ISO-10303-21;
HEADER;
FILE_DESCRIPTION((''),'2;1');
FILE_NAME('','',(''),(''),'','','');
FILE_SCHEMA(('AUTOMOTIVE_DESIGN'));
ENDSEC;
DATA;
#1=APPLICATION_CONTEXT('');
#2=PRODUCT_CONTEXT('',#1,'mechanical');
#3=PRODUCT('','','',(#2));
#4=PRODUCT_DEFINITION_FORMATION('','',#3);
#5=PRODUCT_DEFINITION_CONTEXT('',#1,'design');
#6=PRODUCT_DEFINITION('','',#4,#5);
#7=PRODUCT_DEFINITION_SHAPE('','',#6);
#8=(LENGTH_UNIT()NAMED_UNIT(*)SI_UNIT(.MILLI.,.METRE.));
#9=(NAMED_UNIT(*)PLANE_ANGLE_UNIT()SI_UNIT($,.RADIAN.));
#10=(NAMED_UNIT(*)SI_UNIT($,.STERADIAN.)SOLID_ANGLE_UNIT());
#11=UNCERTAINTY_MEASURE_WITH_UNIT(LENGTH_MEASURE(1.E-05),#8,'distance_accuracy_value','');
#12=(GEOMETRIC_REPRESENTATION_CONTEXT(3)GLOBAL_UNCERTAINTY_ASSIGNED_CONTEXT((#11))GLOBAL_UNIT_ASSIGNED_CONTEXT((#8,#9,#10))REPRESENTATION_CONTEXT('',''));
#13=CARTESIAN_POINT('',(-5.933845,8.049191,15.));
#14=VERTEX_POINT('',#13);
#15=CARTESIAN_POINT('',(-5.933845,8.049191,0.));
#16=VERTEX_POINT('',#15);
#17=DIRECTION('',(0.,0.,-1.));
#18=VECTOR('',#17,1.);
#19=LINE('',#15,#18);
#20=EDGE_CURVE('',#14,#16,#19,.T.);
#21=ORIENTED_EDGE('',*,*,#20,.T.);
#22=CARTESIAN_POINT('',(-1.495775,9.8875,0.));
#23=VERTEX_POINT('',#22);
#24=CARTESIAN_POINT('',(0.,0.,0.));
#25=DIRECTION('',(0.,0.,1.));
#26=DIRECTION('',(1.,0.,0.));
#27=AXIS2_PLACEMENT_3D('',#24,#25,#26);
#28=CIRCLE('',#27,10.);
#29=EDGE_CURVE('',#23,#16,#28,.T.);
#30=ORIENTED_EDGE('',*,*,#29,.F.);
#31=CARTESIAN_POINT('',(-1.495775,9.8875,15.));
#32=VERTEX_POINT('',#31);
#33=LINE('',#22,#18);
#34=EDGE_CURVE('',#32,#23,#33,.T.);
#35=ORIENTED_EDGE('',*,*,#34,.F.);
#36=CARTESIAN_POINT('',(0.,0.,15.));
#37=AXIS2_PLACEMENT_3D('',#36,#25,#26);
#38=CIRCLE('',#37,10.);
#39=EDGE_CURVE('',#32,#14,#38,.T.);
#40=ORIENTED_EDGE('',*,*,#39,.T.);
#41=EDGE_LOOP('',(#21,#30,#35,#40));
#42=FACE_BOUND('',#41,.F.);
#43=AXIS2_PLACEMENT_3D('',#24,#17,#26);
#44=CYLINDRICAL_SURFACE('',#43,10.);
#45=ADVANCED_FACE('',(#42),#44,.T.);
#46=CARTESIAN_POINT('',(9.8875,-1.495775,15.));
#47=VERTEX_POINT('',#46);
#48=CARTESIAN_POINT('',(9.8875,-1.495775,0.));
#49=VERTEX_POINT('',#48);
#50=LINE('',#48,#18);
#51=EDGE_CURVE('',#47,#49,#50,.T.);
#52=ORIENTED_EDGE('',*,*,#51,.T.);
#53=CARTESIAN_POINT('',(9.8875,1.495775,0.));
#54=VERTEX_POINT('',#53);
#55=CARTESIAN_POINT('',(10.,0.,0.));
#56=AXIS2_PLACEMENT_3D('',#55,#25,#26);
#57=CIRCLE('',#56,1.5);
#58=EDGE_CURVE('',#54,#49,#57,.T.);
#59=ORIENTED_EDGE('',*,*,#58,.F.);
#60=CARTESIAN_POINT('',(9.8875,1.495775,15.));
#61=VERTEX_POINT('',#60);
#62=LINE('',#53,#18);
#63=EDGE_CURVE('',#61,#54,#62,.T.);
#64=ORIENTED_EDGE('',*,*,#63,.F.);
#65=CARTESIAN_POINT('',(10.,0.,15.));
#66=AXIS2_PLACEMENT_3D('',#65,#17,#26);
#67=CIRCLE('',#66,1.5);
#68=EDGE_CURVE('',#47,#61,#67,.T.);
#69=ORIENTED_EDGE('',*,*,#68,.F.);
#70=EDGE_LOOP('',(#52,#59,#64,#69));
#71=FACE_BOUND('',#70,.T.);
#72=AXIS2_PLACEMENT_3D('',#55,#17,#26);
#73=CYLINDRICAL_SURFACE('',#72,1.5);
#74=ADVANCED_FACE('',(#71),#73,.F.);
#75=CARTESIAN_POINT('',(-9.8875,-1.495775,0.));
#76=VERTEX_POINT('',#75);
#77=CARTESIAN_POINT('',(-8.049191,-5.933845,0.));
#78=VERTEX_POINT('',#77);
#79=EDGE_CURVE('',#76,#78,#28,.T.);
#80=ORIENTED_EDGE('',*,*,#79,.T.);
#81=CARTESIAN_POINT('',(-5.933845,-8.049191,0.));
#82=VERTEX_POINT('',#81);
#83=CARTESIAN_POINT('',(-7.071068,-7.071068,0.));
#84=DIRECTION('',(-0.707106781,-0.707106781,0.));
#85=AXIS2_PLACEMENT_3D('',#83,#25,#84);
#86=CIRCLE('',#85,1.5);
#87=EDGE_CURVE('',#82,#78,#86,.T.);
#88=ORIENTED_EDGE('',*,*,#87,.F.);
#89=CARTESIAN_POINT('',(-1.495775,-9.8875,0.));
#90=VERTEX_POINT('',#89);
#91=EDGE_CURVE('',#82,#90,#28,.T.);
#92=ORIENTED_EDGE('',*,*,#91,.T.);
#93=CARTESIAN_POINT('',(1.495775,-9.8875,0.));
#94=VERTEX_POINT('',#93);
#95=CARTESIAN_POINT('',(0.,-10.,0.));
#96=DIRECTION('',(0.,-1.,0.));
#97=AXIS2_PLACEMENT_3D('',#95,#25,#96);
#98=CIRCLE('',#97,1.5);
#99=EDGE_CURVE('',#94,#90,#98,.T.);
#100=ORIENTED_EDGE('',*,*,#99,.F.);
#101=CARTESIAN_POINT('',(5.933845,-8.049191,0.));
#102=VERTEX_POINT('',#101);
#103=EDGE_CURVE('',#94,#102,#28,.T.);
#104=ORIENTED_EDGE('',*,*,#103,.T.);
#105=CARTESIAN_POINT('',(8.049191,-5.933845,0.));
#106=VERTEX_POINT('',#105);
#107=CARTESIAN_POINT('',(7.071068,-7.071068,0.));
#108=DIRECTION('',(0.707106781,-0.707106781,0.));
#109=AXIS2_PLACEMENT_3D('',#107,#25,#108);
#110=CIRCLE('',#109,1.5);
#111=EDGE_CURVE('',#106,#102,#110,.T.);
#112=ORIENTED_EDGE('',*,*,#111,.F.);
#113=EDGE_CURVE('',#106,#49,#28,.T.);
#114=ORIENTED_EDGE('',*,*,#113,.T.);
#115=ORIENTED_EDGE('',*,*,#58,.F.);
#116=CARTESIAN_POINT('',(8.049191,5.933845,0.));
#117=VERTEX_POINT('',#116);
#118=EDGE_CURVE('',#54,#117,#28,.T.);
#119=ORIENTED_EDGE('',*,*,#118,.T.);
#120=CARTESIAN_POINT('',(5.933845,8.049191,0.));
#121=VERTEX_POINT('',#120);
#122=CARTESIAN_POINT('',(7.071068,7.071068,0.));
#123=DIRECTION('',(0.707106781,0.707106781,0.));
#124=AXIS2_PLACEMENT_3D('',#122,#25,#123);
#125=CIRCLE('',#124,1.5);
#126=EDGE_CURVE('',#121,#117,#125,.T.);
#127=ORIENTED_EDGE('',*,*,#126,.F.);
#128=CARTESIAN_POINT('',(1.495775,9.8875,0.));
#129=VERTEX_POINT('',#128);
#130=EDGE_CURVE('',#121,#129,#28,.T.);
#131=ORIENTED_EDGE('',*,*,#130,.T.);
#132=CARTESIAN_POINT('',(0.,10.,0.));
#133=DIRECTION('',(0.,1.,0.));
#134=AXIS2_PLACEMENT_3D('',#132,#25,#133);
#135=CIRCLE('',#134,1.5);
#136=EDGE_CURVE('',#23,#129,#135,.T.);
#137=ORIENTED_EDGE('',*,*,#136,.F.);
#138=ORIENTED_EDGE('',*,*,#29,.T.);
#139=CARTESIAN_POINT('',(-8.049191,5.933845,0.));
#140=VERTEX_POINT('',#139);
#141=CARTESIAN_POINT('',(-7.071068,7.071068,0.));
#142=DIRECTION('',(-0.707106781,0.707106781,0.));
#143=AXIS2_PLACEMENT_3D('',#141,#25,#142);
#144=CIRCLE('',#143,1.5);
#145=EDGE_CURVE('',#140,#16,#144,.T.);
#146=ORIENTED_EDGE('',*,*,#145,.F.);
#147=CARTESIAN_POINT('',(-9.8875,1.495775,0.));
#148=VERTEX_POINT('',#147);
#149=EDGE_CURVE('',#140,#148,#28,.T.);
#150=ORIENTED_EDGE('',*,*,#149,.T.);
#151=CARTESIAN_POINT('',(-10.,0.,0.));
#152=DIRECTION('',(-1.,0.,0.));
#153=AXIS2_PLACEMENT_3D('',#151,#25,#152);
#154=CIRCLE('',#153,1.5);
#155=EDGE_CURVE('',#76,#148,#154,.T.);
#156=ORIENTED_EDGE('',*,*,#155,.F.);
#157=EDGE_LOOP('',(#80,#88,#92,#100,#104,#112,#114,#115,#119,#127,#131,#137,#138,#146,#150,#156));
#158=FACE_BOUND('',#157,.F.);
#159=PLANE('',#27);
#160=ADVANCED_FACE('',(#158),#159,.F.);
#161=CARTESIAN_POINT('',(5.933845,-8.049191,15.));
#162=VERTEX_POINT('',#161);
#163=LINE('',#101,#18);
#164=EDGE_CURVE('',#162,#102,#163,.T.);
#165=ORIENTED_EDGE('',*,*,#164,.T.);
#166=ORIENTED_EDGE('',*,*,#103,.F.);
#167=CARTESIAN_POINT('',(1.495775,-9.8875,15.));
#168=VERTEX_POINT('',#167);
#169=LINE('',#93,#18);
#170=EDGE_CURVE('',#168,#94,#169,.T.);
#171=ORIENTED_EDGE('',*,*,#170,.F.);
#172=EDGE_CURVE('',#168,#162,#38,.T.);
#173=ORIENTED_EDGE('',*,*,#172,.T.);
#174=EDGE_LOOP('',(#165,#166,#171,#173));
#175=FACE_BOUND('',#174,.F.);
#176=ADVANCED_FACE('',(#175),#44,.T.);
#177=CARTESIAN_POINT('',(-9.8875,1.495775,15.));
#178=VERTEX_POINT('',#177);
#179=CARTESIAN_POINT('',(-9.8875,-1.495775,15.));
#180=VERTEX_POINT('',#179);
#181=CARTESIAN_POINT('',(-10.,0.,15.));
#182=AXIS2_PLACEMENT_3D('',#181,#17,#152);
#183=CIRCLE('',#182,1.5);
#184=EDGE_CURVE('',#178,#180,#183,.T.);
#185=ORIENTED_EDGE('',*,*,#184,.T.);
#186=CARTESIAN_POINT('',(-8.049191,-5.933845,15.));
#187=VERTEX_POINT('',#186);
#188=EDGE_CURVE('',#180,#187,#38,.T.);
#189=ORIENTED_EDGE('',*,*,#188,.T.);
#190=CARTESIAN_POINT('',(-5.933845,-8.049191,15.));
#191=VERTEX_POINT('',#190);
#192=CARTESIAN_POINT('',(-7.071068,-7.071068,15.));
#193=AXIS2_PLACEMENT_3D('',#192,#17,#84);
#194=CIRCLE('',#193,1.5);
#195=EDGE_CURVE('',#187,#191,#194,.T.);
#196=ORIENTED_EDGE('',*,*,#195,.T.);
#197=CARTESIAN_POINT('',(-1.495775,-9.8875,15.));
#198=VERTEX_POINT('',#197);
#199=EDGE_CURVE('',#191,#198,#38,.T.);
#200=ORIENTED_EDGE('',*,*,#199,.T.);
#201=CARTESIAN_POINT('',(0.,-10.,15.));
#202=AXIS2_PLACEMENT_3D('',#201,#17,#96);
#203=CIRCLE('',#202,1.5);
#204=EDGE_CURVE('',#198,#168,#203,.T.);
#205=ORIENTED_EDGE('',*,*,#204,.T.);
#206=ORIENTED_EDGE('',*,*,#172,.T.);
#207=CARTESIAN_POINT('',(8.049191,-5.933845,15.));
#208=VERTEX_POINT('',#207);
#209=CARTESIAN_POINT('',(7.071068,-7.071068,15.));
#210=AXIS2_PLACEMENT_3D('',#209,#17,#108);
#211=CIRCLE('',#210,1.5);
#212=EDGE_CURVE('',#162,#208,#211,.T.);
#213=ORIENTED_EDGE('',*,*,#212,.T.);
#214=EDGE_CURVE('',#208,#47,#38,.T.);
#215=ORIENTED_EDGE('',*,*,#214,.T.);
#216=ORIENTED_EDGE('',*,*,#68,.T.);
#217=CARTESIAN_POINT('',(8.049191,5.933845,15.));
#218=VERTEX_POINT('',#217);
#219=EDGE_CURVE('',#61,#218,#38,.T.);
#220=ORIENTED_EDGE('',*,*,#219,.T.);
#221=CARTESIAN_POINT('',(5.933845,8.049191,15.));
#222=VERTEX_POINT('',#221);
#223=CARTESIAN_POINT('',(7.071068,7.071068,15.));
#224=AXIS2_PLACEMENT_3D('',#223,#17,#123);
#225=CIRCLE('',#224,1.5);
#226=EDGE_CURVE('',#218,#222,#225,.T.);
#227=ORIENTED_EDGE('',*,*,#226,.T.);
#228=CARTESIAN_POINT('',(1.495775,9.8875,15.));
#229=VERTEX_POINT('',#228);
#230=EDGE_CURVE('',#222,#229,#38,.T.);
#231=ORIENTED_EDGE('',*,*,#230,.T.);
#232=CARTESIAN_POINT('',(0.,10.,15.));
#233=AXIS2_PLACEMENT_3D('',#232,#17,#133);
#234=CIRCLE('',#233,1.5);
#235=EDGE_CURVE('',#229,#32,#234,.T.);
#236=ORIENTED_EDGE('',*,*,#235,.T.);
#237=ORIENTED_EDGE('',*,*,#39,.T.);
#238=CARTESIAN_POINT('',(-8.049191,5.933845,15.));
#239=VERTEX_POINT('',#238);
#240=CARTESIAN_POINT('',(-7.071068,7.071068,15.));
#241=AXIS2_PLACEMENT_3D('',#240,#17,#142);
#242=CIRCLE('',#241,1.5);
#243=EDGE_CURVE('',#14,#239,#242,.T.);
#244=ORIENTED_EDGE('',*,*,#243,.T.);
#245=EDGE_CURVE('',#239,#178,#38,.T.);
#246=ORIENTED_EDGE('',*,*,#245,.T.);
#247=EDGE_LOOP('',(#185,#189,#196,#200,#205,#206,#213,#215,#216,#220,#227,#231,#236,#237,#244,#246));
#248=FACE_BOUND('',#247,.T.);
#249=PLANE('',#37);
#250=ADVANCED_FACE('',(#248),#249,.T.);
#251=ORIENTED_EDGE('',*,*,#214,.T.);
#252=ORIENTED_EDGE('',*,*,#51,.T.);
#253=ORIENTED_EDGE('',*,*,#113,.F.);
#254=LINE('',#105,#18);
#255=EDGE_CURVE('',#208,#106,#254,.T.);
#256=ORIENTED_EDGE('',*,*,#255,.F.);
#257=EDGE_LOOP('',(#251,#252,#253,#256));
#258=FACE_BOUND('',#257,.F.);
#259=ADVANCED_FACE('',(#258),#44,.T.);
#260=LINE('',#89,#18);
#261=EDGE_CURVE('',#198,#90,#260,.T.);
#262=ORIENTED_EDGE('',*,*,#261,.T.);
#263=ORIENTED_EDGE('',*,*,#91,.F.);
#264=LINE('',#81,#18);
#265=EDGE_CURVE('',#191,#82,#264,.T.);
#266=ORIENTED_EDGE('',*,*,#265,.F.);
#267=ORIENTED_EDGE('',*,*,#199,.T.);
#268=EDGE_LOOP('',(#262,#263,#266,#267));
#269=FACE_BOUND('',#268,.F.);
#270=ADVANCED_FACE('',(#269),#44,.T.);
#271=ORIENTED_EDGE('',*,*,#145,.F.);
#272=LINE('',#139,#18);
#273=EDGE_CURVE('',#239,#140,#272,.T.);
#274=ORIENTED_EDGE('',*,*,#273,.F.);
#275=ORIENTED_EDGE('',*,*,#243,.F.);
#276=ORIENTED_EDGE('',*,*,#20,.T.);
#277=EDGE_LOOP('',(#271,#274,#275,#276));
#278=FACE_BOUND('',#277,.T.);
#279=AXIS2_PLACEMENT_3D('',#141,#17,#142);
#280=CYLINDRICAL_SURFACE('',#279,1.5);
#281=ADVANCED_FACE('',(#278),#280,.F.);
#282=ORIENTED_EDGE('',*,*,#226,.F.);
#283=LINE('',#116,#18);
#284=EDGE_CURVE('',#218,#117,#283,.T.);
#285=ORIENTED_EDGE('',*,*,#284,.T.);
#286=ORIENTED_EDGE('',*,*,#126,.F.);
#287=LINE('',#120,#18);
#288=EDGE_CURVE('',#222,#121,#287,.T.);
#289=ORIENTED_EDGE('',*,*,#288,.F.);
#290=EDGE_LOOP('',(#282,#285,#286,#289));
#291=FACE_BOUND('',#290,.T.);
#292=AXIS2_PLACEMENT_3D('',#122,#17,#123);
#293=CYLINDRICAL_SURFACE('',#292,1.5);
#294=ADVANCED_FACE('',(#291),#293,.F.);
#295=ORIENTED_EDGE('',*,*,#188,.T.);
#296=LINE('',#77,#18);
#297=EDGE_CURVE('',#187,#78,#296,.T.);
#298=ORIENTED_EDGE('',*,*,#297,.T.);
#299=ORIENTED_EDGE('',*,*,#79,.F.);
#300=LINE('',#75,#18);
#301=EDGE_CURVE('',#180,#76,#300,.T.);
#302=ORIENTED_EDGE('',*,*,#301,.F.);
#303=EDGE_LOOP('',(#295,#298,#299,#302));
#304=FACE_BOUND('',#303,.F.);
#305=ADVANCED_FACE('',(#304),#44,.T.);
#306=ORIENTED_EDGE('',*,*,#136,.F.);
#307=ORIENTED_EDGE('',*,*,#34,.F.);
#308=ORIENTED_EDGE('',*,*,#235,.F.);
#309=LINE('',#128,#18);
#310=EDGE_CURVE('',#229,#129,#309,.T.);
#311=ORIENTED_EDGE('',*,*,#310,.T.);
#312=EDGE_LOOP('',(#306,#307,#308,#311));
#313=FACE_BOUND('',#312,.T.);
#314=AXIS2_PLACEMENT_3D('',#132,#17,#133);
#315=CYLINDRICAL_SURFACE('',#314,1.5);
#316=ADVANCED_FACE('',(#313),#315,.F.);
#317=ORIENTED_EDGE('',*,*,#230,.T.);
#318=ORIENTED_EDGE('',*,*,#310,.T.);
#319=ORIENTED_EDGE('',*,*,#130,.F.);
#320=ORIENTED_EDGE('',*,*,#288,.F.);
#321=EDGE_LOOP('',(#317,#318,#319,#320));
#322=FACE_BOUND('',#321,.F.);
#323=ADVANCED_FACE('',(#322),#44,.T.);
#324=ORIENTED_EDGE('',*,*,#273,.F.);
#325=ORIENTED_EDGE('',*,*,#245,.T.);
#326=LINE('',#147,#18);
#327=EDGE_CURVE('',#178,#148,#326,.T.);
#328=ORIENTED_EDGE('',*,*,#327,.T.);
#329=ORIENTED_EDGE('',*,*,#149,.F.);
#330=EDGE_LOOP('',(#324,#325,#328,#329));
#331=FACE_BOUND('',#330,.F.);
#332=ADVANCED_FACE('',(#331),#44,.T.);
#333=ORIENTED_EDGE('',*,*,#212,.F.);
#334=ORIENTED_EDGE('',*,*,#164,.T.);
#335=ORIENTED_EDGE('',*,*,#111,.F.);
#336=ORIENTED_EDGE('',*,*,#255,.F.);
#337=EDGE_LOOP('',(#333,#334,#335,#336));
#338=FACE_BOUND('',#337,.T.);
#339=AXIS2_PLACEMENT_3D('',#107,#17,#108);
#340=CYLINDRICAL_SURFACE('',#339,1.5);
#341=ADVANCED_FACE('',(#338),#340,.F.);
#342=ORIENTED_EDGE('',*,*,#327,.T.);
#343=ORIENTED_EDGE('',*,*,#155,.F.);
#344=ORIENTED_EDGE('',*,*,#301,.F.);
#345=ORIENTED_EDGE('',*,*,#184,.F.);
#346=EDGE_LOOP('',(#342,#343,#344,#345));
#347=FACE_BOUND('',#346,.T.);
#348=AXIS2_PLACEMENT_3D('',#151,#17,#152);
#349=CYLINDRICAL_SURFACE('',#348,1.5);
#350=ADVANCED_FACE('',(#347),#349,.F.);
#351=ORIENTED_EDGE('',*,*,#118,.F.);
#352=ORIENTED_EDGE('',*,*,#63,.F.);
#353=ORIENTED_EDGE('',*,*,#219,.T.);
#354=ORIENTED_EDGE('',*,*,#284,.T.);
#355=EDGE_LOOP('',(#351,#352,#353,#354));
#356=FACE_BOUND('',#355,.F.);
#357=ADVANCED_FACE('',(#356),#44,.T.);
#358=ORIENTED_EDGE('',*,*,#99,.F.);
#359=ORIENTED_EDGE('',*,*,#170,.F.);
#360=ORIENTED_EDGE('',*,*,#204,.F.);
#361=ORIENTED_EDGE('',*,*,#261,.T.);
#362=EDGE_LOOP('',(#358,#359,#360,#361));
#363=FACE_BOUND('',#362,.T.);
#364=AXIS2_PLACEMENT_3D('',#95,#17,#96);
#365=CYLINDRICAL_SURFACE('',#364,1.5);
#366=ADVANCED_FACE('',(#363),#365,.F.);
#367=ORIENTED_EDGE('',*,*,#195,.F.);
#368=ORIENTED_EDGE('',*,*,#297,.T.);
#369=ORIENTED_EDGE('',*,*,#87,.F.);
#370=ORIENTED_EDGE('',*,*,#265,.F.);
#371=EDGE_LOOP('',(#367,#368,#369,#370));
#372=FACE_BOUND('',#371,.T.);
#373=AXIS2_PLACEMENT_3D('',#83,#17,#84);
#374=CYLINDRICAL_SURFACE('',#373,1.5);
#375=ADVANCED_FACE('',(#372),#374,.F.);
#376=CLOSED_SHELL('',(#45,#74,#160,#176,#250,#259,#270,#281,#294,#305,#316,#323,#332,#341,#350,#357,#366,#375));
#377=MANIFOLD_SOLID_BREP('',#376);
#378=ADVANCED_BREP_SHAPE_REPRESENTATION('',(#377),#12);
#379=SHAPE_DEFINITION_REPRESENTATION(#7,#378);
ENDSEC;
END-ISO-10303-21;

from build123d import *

# Parameters (mm, degrees)
CYLINDER001_R     = 1.5
CYLINDER001_DEPTH = 20
ARRAY_COUNT       = 8
CYLINDER_R        = 10
CYLINDER_DEPTH    = 15


with BuildPart() as array:
    # Cylinder001 → Cylinder001 (new body)
    with BuildSketch(Plane(origin=(10, 0, 0), x_dir=(1, 0, 0), z_dir=(0, 0, 1))):
        Circle(CYLINDER001_R)
    extrude(amount=CYLINDER001_DEPTH)

    # Array: Array ×8 about axis
    array_axis = Axis((0, 0, 0), (0, 0, 1))


with BuildPart() as array_1:
    add(array.part)
    for i in range(1, ARRAY_COUNT):
        add(array.part.rotate(array_axis, i * 360 / ARRAY_COUNT))


with BuildPart() as cut:
    # Cylinder → Cylinder (new body)
    with BuildSketch(Plane.XY):
        Circle(CYLINDER_R)
    extrude(amount=CYLINDER_DEPTH)

    # Cut: cut Array
    add(array_1.part, mode=Mode.SUBTRACT)


solid = cut.part
